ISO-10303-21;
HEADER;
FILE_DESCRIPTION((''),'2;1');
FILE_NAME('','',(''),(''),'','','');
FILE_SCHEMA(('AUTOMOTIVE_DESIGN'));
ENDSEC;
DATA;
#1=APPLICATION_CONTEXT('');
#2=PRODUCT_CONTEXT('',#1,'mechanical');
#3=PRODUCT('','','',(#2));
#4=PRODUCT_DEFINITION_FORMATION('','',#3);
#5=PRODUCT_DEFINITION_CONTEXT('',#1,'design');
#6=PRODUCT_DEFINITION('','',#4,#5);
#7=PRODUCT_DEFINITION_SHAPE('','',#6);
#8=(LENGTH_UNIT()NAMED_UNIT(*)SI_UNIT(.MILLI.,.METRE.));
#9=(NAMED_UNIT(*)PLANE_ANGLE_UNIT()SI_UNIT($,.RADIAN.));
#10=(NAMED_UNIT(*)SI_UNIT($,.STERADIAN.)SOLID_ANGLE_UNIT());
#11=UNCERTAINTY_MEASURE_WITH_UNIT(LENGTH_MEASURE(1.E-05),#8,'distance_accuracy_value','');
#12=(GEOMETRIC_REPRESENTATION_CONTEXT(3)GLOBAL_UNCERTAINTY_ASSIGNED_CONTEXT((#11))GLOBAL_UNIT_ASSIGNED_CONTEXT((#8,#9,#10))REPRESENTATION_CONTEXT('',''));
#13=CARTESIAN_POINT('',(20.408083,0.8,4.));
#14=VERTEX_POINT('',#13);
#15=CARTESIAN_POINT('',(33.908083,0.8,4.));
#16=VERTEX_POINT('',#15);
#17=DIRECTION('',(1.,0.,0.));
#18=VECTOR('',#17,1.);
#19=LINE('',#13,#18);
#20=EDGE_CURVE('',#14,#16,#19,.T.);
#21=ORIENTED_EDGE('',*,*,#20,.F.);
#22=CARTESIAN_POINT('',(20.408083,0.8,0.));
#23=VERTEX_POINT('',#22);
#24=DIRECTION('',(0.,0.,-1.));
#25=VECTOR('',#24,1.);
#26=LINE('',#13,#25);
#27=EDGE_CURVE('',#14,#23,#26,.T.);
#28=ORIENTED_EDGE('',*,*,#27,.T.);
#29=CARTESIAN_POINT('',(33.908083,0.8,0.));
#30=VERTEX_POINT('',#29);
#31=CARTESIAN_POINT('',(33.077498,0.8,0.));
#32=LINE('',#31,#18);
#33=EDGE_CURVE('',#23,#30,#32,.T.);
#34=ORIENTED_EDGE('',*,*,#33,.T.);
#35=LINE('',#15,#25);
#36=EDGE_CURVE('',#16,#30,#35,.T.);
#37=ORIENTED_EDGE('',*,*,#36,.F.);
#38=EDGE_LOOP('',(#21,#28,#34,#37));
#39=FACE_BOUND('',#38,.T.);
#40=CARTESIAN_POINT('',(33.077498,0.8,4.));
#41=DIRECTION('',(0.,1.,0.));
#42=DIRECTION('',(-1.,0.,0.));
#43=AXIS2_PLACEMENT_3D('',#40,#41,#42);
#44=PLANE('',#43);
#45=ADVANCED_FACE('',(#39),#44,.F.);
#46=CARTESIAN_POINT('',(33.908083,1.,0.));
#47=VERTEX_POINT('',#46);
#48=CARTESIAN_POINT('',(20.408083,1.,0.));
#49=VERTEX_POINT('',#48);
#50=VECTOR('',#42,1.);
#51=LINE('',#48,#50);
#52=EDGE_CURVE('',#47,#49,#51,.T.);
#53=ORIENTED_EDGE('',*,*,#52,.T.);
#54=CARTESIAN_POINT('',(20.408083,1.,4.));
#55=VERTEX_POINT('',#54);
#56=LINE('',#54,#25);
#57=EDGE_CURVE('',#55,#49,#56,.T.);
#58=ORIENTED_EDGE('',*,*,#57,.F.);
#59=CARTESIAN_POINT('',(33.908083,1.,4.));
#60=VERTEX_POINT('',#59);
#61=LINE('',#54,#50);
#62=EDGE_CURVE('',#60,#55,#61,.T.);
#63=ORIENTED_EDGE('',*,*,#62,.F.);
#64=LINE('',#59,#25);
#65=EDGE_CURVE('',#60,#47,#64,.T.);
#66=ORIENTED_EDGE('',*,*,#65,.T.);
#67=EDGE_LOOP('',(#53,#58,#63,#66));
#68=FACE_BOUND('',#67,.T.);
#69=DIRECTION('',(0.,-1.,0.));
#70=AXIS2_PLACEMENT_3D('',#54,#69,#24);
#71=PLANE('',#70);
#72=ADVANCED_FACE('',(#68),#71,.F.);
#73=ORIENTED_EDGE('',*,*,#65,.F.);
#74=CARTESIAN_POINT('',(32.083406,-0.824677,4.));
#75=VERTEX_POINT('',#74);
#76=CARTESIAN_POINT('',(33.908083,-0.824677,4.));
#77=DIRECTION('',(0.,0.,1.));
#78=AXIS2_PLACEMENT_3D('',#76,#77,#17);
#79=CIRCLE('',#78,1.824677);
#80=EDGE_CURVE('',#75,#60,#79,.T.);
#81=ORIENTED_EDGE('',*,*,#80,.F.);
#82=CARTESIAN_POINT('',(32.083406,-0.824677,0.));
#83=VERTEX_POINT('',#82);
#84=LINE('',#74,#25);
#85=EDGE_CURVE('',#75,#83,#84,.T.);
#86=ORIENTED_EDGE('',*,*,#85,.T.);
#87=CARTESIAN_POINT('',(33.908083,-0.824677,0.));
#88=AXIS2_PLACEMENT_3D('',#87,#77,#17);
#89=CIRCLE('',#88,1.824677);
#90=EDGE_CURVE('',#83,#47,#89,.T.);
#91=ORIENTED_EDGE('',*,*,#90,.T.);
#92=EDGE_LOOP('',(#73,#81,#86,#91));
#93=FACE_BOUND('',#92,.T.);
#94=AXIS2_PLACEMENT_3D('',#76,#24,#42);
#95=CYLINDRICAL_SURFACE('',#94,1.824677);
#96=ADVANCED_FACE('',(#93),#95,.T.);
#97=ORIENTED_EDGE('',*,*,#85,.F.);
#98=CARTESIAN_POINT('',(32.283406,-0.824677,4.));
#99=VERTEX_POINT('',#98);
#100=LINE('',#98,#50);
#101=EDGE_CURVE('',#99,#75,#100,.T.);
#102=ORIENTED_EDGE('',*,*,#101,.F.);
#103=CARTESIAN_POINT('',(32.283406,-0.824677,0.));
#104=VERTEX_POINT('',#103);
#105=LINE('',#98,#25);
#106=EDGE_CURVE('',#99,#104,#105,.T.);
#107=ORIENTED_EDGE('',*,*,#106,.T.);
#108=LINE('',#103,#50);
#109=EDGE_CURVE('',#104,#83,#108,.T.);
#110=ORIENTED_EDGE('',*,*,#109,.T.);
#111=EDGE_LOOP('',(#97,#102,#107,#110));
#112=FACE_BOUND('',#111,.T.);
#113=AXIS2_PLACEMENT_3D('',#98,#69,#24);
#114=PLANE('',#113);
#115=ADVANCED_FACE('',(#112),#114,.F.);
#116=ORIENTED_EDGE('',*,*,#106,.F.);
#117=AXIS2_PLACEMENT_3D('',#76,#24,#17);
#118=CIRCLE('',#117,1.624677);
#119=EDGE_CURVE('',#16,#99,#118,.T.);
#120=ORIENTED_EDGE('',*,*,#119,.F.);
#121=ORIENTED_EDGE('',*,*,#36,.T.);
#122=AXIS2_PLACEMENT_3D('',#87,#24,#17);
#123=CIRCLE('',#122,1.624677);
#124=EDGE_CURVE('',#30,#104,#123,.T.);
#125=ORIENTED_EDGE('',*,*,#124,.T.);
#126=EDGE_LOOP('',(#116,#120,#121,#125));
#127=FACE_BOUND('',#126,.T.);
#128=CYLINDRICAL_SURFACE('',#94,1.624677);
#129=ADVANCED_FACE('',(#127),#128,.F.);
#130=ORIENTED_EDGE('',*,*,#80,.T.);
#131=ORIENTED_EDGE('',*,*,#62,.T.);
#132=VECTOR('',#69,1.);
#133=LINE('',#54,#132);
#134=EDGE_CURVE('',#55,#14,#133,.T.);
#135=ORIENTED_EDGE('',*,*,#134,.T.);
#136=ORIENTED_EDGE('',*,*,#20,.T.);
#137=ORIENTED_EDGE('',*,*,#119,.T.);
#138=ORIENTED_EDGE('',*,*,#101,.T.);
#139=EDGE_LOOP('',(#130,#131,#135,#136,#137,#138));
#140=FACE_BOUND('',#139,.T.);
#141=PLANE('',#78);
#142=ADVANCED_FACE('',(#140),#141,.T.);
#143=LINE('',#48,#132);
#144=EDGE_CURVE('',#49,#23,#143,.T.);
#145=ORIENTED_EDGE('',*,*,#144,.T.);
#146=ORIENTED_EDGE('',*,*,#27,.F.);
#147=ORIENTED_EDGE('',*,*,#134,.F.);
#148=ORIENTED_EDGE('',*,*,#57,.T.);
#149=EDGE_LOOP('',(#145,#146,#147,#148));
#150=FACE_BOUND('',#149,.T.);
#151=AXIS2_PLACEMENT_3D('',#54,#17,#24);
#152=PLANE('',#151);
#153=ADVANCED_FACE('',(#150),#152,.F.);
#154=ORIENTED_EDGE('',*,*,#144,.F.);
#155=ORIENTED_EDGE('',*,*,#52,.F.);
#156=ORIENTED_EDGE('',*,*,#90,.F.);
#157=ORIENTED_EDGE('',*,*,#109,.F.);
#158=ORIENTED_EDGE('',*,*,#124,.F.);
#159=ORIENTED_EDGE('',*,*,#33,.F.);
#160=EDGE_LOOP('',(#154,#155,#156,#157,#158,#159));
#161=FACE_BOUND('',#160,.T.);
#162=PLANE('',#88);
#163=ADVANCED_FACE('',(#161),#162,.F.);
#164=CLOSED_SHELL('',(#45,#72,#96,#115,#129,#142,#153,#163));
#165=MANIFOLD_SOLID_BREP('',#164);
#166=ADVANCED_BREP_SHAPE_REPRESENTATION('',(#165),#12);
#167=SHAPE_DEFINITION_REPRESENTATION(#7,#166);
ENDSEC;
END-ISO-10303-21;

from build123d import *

# Parameters (mm, degrees)
RESSALTO_EXTRUS_O1_DEPTH = 4


with BuildPart() as part:
    # Esboço1 → Ressalto-extrusão1 (new body)
    with BuildSketch(Plane.XY):
        with BuildLine():
            Line((20.408082875, 0.8), (33.077498183, 0.8))
            Line((33.077498183, 0.8), (33.908082875, 0.8))
            ThreePointArc((33.908082875, 0.8), (35.05690323, -1.973497683), (32.283405548, -0.824677327))
            Line((32.283405548, -0.824677327), (32.083405548, -0.824677327))
            ThreePointArc((32.083405548, -0.824677327), (35.198324587, -2.114919039), (33.908082875, 1))
            Line((33.908082875, 1), (20.408082875, 1))
            Line((20.408082875, 1), (20.408082875, 0.8))
        make_face()
    extrude(amount=RESSALTO_EXTRUS_O1_DEPTH)


solid = part.part
